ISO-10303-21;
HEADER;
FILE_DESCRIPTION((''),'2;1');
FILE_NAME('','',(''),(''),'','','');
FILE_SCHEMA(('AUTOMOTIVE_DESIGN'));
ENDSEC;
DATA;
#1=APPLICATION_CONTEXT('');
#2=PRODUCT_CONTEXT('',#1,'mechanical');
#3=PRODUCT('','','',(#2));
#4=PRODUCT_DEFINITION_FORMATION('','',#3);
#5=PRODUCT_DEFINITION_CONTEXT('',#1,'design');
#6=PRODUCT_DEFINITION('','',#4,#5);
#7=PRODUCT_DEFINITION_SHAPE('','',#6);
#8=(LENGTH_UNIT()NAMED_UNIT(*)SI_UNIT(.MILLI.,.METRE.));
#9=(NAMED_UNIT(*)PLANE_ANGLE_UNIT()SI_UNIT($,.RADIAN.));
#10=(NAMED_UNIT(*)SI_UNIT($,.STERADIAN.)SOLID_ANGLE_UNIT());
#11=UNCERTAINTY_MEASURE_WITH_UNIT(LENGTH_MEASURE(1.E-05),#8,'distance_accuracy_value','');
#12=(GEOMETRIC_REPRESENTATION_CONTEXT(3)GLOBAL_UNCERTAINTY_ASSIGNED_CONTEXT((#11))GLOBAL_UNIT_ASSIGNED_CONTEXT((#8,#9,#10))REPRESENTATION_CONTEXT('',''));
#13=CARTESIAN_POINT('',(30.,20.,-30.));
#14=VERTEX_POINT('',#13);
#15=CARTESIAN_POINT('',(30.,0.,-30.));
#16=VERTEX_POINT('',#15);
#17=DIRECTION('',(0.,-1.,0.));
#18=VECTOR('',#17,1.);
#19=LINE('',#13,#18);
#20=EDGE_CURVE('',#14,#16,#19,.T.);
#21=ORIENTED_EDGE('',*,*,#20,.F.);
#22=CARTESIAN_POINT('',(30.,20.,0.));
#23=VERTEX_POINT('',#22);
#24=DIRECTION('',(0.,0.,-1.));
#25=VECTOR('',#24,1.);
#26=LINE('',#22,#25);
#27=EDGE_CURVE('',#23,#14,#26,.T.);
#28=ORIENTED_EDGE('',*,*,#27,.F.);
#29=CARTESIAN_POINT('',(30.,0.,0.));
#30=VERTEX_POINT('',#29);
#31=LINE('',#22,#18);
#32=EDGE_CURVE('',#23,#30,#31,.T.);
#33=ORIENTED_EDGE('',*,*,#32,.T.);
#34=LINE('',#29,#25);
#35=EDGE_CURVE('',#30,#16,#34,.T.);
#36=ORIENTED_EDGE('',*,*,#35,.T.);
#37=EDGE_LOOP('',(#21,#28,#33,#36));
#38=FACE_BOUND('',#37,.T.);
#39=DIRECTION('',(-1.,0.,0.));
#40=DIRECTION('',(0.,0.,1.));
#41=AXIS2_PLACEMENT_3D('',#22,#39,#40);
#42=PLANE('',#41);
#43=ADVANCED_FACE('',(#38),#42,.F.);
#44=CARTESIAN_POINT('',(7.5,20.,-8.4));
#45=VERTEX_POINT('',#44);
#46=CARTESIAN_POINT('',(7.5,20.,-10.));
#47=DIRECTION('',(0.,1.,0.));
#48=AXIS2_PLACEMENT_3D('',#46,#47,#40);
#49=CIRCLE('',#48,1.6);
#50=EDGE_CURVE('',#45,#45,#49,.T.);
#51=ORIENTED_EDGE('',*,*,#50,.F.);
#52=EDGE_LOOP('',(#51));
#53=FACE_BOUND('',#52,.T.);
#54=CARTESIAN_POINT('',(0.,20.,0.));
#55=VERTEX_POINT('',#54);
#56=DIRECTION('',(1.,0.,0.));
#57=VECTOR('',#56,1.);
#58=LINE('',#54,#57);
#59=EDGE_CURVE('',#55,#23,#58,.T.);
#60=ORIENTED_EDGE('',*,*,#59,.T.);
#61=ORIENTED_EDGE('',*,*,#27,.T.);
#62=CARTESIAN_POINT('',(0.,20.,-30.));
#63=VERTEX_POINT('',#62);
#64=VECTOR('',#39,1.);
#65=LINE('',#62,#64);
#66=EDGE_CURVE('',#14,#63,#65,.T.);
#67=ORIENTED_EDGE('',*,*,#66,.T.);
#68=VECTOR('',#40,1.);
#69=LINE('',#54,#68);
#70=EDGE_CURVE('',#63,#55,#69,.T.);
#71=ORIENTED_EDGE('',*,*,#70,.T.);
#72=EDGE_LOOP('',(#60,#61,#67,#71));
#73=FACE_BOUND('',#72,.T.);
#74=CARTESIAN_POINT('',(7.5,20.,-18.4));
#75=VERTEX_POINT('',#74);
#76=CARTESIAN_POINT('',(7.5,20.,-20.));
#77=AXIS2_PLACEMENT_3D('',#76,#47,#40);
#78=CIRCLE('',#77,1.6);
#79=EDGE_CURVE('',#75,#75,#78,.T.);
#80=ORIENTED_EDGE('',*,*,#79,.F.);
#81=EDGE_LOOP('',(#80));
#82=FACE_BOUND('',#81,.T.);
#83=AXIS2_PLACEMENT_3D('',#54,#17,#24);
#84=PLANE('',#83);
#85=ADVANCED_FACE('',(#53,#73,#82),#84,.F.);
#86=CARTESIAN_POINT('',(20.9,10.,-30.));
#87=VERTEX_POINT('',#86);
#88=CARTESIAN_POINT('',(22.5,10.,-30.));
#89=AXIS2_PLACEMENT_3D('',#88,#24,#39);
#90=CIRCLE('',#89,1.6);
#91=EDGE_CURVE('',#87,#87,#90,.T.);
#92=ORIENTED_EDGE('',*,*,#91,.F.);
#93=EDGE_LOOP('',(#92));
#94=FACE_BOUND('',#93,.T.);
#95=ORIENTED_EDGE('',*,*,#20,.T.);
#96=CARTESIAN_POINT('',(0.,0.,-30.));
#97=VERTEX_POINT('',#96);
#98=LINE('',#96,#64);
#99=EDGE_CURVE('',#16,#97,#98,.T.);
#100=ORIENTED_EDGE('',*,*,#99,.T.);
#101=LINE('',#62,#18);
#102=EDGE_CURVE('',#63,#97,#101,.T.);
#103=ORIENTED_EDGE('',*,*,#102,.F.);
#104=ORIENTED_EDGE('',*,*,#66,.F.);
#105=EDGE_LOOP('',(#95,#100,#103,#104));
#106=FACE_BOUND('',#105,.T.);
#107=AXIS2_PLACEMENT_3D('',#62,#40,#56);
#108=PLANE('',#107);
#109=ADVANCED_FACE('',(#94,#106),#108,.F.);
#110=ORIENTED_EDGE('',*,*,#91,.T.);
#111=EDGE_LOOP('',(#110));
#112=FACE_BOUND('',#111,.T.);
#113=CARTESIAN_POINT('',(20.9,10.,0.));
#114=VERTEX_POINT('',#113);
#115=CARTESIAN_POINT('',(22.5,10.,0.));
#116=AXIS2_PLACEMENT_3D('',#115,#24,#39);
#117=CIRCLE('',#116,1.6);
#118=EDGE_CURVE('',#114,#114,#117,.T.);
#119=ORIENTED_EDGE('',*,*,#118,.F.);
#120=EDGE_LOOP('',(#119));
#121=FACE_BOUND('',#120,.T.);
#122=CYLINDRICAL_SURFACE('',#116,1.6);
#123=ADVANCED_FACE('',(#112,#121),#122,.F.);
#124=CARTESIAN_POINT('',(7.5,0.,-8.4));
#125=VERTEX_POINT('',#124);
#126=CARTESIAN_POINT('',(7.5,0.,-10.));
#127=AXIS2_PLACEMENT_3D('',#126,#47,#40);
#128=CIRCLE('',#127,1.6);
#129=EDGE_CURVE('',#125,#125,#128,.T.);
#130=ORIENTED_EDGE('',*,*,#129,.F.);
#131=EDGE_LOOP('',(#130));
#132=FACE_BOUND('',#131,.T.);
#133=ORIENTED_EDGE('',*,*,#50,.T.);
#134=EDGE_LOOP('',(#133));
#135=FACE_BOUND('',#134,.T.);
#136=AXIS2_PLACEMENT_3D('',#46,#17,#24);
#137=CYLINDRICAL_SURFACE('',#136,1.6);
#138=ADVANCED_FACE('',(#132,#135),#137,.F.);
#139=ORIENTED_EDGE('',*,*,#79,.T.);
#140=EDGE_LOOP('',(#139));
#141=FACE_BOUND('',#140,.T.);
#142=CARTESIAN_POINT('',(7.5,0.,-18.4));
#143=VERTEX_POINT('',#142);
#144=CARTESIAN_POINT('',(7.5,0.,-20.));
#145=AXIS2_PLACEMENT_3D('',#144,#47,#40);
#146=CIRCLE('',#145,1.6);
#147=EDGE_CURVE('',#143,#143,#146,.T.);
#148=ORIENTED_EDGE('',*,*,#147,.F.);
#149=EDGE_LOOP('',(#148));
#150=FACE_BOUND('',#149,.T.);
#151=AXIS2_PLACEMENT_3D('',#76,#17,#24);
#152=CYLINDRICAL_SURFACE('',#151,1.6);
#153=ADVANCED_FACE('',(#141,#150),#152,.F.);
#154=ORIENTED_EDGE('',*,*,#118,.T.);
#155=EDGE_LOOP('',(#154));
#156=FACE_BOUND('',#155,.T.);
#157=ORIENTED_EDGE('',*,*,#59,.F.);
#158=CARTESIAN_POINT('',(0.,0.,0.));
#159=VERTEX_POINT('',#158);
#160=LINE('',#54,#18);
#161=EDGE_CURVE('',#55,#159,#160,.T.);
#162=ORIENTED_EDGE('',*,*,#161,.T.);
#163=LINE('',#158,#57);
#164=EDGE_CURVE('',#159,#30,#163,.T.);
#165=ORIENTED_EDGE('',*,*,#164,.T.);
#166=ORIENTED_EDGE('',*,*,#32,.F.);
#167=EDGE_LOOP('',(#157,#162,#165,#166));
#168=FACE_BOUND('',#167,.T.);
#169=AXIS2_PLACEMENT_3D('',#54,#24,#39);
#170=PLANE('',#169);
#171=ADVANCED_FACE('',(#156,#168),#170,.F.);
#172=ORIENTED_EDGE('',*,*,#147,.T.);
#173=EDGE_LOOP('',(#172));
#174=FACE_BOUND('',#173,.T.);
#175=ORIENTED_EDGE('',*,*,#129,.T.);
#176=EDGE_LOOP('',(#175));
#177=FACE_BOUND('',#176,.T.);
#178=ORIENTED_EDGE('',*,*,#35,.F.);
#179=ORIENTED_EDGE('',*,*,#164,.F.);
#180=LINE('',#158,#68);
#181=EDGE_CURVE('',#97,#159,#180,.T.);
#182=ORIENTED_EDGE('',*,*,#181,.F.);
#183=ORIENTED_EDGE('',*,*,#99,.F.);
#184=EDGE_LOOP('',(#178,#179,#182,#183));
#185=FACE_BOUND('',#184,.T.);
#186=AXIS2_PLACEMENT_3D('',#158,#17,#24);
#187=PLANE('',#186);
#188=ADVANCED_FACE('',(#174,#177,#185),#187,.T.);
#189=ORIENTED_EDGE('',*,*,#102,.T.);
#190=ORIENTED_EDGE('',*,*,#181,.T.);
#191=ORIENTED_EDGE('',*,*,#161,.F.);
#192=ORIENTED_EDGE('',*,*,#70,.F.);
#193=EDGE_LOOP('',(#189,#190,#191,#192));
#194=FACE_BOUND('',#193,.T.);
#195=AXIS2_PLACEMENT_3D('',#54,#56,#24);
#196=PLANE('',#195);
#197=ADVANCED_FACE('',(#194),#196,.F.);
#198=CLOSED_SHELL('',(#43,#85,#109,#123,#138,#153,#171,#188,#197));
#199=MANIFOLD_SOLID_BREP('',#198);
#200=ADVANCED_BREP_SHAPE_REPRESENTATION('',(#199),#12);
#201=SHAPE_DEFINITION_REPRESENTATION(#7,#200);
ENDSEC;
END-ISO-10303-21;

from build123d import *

# Parameters (mm, degrees)
SKETCH_1_W          = 30
SKETCH_1_H          = 30
SKETCH_1_R          = 1.6
EXTRUDE_1_DEPTH     = 20
SKETCH_2_R          = 1.6
CUT_EXTRUDE_1_DEPTH = 47.904157598


with BuildPart() as part:
    # 草图1 → 凸台-拉伸1 (new body)
    with BuildSketch(Plane(origin=(0, 0, 0), x_dir=(1, 0, 0), z_dir=(0, 1, 0))):
        with Locations((15, 15)):
            Rectangle(SKETCH_1_W, SKETCH_1_H)
        with Locations(Location((7.5, 20, 0), (0, 0, 270))):
            Circle(SKETCH_1_R, mode=Mode.SUBTRACT)
        with Locations(Location((7.5, 10, 0), (0, 0, 270))):
            Circle(SKETCH_1_R, mode=Mode.SUBTRACT)
    extrude(amount=EXTRUDE_1_DEPTH)

    # 草图2 → 切除-拉伸1 (cut, through all)
    with BuildSketch(Plane(origin=(0, 0, -30), x_dir=(-1, 0, 0), z_dir=(0, 0, -1))):
        with Locations((-22.5, 10)):
            Circle(SKETCH_2_R)
    extrude(amount=-CUT_EXTRUDE_1_DEPTH, mode=Mode.SUBTRACT)


solid = part.part
